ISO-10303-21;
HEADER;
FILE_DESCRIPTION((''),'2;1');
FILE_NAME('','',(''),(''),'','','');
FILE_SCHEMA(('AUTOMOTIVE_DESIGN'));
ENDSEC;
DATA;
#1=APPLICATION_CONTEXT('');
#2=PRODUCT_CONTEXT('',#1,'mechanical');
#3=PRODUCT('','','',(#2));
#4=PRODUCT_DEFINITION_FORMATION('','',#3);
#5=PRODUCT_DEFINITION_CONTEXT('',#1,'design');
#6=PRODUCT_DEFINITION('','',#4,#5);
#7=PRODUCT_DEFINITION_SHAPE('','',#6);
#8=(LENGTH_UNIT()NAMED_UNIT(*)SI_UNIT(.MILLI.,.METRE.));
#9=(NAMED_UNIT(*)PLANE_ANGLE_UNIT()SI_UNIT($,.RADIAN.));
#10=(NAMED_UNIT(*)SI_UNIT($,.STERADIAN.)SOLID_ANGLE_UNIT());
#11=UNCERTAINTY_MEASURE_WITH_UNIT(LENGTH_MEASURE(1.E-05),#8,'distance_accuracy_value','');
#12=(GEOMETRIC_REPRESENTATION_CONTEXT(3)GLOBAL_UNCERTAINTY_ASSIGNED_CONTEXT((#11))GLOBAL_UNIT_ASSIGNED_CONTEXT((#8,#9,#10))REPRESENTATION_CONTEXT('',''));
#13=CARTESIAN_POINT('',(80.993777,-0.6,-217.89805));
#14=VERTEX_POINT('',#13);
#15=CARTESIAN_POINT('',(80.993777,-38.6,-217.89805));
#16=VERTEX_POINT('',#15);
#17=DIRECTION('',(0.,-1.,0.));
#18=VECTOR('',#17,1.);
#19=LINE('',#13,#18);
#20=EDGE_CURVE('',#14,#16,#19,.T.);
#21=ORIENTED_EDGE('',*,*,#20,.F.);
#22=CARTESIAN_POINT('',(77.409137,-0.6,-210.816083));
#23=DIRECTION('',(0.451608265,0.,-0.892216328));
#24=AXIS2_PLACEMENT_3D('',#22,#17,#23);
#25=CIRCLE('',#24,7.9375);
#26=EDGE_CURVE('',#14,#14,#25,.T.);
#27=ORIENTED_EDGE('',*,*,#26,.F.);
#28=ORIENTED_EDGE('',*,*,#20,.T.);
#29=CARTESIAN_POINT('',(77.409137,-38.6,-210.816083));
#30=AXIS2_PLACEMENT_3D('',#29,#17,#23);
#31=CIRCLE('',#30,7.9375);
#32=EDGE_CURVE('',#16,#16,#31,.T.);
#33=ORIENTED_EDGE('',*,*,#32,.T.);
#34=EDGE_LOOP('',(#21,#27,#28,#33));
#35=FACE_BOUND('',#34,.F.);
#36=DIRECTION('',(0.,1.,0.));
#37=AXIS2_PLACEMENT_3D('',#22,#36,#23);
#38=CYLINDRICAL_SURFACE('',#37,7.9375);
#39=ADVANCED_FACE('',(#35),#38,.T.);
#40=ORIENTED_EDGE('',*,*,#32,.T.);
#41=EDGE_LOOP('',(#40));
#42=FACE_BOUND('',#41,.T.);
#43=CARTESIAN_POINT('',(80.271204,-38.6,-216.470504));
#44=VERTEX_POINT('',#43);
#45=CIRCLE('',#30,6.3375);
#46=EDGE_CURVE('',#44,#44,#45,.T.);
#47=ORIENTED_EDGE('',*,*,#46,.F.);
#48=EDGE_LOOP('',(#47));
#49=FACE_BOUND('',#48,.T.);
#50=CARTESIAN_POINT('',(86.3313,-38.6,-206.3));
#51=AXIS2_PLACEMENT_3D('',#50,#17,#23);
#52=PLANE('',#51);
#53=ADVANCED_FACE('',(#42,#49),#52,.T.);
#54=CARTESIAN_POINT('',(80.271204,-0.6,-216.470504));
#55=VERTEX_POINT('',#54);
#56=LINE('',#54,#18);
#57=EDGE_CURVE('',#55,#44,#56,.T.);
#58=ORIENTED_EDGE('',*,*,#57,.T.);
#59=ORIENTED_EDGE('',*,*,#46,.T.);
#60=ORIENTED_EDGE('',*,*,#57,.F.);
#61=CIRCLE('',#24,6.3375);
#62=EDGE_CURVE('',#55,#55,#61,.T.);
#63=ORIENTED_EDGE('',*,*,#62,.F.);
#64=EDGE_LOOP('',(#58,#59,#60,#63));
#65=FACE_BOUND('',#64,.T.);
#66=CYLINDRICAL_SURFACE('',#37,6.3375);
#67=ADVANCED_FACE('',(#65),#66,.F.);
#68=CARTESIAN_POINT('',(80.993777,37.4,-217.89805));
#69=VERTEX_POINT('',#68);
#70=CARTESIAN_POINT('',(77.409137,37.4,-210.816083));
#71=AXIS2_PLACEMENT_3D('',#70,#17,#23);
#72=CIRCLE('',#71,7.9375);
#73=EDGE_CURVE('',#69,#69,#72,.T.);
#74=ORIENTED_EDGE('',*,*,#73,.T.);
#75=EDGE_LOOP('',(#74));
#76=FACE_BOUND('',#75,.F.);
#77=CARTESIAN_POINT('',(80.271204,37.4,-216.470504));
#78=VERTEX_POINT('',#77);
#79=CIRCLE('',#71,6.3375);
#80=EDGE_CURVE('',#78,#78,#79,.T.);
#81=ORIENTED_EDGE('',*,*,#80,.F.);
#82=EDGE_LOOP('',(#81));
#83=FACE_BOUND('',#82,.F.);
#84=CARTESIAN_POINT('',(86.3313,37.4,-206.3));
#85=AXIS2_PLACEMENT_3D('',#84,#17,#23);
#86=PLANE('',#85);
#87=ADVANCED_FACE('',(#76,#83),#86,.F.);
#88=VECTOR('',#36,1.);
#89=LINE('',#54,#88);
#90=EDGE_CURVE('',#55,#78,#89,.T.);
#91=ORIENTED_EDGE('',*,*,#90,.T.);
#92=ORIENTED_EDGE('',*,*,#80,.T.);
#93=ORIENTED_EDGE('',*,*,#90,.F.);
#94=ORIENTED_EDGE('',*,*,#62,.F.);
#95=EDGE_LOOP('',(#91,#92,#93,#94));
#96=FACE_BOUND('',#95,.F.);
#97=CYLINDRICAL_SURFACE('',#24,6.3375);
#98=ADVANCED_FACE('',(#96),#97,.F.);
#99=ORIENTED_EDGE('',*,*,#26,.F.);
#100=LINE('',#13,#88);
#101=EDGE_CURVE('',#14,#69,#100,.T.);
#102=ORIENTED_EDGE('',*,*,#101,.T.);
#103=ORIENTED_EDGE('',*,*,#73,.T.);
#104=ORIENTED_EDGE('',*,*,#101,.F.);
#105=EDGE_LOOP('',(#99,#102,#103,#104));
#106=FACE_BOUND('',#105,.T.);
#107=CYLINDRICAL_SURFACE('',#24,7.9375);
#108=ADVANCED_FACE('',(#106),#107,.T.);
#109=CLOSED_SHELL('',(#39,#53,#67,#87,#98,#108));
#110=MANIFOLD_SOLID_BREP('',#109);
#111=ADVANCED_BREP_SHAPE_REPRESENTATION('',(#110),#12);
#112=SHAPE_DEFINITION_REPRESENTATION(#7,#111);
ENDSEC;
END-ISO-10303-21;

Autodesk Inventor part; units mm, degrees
ref_plane "YZ Plane" through (0, 0, 0) normal (1, 0, 0) x (0, 1, 0)
ref_plane "XZ Plane" through (0, 0, 0) normal (0, 1, 0) x (-1, 0, 0)
ref_plane "Work Plane2" through (86.3313, -0.6, -206.3) normal (0, -1, 0) x (0.4516, 0, -0.8922)
sketch "Sketch2" plane through (86.3313, -0.6, -206.3) normal (0, -1, 0) x (0.4516, 0, -0.8922)
  circle A0 centre (0, -10) radius 15 construction
  circle A1 centre (0, -10) radius 7.9375
  circle A2 centre (0, -10) radius 6.3375
  point P0 (-223.0522, 16.1405)
  dimension "d4" = 15.875
  dimension "d5" = 1.6
extrude "Extrusion2" add sketch "Sketch2" along normal mid plane 76
properties part number "BearingsSpacer"
